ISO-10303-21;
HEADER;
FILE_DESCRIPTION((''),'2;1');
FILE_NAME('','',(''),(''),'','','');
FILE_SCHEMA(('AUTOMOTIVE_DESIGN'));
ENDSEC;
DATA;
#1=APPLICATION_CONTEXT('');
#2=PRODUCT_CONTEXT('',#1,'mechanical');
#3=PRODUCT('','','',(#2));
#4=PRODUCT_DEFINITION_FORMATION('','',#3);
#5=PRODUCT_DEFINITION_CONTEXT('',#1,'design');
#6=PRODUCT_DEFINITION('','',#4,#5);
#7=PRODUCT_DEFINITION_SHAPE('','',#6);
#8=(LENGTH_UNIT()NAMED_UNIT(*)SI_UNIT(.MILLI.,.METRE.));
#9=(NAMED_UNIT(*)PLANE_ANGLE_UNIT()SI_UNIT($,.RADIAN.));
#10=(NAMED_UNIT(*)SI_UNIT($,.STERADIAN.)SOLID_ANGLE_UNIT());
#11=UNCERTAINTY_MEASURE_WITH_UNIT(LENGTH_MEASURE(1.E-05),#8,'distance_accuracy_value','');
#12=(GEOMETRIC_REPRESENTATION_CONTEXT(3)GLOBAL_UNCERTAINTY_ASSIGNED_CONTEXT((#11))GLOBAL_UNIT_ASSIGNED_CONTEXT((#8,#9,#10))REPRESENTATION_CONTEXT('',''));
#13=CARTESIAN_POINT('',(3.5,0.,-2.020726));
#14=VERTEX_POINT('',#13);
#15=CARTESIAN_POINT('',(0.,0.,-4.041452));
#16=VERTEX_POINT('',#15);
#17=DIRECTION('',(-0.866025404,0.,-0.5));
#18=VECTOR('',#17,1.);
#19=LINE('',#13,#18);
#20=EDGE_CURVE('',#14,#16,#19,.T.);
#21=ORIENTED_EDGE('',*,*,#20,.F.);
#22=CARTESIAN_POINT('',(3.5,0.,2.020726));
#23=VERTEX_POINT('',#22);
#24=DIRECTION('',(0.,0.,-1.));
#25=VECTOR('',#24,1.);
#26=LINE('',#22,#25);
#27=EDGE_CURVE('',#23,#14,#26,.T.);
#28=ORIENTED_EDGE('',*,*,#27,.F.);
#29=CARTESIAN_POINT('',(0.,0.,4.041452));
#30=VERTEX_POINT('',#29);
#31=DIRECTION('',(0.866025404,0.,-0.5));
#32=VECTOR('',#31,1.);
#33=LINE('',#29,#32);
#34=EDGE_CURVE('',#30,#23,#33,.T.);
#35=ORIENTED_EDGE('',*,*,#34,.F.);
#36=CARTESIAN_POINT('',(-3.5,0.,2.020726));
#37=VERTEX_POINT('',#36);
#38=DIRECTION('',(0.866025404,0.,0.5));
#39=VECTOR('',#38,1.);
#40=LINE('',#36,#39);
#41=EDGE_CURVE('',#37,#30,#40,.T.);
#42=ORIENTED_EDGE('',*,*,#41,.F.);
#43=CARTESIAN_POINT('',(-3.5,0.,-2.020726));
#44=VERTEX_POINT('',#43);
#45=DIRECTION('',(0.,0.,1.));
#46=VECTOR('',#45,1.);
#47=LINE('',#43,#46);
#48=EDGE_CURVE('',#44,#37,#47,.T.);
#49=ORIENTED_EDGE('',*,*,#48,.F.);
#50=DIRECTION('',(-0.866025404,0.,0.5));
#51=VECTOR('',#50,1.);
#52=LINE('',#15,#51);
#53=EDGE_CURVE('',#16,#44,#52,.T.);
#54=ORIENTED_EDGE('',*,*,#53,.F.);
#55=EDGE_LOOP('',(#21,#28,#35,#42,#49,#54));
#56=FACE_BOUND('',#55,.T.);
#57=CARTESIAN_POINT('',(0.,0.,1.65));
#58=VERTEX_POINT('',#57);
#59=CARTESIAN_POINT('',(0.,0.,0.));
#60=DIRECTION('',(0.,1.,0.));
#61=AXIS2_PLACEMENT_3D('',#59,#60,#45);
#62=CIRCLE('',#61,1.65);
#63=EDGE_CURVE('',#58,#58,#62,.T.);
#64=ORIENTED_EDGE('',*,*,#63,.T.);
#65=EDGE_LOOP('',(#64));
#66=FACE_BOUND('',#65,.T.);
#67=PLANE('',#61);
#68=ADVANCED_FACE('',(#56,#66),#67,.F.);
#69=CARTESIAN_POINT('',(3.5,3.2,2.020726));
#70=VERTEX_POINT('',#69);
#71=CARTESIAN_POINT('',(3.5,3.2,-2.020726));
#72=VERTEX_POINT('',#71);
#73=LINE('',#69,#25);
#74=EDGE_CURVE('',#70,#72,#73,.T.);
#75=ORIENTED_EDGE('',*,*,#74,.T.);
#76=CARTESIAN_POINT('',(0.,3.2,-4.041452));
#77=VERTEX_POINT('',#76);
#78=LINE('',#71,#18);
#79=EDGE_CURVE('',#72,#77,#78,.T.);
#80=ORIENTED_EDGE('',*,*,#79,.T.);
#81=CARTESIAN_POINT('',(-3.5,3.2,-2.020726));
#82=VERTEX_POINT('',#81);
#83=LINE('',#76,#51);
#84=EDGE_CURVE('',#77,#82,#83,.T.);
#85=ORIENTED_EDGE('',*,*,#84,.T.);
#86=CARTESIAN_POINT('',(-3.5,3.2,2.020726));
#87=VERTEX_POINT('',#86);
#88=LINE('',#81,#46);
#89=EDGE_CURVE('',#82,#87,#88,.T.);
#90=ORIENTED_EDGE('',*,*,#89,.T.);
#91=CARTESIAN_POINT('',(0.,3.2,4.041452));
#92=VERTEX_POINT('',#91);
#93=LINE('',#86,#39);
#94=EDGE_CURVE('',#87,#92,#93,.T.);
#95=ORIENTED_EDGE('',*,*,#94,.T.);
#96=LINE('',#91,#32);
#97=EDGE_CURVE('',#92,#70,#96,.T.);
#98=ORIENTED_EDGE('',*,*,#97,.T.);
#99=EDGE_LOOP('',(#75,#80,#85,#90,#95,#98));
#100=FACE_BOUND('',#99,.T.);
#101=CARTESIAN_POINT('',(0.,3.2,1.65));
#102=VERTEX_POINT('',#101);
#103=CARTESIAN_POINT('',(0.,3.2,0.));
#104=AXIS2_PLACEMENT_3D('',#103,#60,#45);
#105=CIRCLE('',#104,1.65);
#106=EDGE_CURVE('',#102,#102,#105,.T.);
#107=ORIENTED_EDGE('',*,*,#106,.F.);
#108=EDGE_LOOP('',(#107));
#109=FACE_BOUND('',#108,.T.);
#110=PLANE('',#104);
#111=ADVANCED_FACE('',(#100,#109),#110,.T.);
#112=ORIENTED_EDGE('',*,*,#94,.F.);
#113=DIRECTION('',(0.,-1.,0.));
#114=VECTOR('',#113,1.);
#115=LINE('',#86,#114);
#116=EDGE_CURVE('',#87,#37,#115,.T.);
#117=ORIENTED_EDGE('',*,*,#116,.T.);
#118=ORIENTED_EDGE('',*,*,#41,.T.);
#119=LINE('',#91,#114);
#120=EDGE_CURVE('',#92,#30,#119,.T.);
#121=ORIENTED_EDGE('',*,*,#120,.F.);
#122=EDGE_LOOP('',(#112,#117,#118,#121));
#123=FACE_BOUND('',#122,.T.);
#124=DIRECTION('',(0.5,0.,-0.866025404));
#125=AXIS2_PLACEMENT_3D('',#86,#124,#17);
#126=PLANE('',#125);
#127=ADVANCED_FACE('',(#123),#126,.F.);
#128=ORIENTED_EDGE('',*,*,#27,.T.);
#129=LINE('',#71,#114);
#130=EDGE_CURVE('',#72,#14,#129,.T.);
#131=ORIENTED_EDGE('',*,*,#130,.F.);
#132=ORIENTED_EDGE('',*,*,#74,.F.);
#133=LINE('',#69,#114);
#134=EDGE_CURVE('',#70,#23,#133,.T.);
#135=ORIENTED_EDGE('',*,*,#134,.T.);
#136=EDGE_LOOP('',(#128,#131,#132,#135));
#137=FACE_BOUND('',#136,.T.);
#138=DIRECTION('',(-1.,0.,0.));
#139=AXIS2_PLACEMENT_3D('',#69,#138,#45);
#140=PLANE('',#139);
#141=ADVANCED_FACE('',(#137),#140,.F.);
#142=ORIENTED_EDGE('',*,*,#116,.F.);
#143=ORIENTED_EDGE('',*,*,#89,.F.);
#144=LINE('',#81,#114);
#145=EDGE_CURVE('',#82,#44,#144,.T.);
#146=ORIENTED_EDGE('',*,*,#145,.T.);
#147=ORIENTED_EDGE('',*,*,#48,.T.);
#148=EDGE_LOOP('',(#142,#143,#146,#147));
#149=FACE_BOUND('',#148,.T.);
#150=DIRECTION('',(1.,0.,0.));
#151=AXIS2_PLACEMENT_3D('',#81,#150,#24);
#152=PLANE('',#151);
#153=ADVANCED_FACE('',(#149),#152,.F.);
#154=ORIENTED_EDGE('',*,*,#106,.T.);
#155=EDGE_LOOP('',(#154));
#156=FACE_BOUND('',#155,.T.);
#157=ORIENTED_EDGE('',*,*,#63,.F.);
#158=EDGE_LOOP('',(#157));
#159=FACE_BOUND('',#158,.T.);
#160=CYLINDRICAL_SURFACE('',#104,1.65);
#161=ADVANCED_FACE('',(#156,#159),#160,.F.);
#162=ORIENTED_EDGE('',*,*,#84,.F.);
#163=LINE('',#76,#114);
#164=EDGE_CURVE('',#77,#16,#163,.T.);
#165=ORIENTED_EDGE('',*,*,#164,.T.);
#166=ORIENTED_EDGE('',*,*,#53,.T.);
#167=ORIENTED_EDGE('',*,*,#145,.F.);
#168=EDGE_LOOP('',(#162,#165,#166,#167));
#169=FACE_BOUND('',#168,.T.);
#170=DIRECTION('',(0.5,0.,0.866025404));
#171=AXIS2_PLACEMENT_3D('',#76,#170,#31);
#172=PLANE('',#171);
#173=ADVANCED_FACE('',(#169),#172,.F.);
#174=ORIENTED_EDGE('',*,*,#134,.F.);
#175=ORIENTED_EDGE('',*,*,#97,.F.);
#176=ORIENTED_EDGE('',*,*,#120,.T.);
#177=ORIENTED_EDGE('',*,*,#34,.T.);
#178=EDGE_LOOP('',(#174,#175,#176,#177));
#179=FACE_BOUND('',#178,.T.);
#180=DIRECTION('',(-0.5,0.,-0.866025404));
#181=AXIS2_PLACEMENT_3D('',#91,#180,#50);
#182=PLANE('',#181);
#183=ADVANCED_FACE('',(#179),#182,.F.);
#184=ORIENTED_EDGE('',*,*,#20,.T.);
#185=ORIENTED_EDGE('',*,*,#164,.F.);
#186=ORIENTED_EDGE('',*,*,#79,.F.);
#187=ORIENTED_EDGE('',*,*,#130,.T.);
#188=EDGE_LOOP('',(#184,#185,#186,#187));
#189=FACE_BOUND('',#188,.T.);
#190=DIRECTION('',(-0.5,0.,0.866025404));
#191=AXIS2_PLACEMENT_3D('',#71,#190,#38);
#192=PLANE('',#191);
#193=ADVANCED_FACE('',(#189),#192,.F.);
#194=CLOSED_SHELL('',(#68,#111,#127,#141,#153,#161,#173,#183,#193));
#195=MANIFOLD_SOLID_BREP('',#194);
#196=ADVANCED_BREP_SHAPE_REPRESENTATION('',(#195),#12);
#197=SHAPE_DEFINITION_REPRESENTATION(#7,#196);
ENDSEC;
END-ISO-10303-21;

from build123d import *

# Parameters (mm, degrees)
EXTRUDE_1_DEPTH = 3.2
M4X0_71_D       = 3.3
M4X0_71_DEPTH   = 11.5
M4X0_71_TIP     = 0.991420021


with BuildPart() as part:
    # Эскиз1 → Бобышка-Вытянуть1 (new body)
    with BuildSketch(Plane(origin=(0, 0, 0), x_dir=(1, 0, 0), z_dir=(0, 1, 0))):
        Polygon((0, 4.041451884), (-3.5, 2.020725942), (-3.5, -2.020725942), (0, -4.041451884), (3.5, -2.020725942), (3.5, 2.020725942), align=None)
    extrude(amount=EXTRUDE_1_DEPTH)

    # Отверстие обработанное метчиком M4x0.71
    with Locations(Plane(origin=(0, 3.2, 0), x_dir=(1, 0, 0), z_dir=(0, 1, 0))):
        with Locations((0, 0)):
            Hole(M4X0_71_D / 2, depth=M4X0_71_DEPTH)
            with Locations((0, 0, -(M4X0_71_DEPTH + M4X0_71_TIP / 2))):  # 118° drill point
                Cone(0, M4X0_71_D / 2, M4X0_71_TIP, mode=Mode.SUBTRACT)


solid = part.part
